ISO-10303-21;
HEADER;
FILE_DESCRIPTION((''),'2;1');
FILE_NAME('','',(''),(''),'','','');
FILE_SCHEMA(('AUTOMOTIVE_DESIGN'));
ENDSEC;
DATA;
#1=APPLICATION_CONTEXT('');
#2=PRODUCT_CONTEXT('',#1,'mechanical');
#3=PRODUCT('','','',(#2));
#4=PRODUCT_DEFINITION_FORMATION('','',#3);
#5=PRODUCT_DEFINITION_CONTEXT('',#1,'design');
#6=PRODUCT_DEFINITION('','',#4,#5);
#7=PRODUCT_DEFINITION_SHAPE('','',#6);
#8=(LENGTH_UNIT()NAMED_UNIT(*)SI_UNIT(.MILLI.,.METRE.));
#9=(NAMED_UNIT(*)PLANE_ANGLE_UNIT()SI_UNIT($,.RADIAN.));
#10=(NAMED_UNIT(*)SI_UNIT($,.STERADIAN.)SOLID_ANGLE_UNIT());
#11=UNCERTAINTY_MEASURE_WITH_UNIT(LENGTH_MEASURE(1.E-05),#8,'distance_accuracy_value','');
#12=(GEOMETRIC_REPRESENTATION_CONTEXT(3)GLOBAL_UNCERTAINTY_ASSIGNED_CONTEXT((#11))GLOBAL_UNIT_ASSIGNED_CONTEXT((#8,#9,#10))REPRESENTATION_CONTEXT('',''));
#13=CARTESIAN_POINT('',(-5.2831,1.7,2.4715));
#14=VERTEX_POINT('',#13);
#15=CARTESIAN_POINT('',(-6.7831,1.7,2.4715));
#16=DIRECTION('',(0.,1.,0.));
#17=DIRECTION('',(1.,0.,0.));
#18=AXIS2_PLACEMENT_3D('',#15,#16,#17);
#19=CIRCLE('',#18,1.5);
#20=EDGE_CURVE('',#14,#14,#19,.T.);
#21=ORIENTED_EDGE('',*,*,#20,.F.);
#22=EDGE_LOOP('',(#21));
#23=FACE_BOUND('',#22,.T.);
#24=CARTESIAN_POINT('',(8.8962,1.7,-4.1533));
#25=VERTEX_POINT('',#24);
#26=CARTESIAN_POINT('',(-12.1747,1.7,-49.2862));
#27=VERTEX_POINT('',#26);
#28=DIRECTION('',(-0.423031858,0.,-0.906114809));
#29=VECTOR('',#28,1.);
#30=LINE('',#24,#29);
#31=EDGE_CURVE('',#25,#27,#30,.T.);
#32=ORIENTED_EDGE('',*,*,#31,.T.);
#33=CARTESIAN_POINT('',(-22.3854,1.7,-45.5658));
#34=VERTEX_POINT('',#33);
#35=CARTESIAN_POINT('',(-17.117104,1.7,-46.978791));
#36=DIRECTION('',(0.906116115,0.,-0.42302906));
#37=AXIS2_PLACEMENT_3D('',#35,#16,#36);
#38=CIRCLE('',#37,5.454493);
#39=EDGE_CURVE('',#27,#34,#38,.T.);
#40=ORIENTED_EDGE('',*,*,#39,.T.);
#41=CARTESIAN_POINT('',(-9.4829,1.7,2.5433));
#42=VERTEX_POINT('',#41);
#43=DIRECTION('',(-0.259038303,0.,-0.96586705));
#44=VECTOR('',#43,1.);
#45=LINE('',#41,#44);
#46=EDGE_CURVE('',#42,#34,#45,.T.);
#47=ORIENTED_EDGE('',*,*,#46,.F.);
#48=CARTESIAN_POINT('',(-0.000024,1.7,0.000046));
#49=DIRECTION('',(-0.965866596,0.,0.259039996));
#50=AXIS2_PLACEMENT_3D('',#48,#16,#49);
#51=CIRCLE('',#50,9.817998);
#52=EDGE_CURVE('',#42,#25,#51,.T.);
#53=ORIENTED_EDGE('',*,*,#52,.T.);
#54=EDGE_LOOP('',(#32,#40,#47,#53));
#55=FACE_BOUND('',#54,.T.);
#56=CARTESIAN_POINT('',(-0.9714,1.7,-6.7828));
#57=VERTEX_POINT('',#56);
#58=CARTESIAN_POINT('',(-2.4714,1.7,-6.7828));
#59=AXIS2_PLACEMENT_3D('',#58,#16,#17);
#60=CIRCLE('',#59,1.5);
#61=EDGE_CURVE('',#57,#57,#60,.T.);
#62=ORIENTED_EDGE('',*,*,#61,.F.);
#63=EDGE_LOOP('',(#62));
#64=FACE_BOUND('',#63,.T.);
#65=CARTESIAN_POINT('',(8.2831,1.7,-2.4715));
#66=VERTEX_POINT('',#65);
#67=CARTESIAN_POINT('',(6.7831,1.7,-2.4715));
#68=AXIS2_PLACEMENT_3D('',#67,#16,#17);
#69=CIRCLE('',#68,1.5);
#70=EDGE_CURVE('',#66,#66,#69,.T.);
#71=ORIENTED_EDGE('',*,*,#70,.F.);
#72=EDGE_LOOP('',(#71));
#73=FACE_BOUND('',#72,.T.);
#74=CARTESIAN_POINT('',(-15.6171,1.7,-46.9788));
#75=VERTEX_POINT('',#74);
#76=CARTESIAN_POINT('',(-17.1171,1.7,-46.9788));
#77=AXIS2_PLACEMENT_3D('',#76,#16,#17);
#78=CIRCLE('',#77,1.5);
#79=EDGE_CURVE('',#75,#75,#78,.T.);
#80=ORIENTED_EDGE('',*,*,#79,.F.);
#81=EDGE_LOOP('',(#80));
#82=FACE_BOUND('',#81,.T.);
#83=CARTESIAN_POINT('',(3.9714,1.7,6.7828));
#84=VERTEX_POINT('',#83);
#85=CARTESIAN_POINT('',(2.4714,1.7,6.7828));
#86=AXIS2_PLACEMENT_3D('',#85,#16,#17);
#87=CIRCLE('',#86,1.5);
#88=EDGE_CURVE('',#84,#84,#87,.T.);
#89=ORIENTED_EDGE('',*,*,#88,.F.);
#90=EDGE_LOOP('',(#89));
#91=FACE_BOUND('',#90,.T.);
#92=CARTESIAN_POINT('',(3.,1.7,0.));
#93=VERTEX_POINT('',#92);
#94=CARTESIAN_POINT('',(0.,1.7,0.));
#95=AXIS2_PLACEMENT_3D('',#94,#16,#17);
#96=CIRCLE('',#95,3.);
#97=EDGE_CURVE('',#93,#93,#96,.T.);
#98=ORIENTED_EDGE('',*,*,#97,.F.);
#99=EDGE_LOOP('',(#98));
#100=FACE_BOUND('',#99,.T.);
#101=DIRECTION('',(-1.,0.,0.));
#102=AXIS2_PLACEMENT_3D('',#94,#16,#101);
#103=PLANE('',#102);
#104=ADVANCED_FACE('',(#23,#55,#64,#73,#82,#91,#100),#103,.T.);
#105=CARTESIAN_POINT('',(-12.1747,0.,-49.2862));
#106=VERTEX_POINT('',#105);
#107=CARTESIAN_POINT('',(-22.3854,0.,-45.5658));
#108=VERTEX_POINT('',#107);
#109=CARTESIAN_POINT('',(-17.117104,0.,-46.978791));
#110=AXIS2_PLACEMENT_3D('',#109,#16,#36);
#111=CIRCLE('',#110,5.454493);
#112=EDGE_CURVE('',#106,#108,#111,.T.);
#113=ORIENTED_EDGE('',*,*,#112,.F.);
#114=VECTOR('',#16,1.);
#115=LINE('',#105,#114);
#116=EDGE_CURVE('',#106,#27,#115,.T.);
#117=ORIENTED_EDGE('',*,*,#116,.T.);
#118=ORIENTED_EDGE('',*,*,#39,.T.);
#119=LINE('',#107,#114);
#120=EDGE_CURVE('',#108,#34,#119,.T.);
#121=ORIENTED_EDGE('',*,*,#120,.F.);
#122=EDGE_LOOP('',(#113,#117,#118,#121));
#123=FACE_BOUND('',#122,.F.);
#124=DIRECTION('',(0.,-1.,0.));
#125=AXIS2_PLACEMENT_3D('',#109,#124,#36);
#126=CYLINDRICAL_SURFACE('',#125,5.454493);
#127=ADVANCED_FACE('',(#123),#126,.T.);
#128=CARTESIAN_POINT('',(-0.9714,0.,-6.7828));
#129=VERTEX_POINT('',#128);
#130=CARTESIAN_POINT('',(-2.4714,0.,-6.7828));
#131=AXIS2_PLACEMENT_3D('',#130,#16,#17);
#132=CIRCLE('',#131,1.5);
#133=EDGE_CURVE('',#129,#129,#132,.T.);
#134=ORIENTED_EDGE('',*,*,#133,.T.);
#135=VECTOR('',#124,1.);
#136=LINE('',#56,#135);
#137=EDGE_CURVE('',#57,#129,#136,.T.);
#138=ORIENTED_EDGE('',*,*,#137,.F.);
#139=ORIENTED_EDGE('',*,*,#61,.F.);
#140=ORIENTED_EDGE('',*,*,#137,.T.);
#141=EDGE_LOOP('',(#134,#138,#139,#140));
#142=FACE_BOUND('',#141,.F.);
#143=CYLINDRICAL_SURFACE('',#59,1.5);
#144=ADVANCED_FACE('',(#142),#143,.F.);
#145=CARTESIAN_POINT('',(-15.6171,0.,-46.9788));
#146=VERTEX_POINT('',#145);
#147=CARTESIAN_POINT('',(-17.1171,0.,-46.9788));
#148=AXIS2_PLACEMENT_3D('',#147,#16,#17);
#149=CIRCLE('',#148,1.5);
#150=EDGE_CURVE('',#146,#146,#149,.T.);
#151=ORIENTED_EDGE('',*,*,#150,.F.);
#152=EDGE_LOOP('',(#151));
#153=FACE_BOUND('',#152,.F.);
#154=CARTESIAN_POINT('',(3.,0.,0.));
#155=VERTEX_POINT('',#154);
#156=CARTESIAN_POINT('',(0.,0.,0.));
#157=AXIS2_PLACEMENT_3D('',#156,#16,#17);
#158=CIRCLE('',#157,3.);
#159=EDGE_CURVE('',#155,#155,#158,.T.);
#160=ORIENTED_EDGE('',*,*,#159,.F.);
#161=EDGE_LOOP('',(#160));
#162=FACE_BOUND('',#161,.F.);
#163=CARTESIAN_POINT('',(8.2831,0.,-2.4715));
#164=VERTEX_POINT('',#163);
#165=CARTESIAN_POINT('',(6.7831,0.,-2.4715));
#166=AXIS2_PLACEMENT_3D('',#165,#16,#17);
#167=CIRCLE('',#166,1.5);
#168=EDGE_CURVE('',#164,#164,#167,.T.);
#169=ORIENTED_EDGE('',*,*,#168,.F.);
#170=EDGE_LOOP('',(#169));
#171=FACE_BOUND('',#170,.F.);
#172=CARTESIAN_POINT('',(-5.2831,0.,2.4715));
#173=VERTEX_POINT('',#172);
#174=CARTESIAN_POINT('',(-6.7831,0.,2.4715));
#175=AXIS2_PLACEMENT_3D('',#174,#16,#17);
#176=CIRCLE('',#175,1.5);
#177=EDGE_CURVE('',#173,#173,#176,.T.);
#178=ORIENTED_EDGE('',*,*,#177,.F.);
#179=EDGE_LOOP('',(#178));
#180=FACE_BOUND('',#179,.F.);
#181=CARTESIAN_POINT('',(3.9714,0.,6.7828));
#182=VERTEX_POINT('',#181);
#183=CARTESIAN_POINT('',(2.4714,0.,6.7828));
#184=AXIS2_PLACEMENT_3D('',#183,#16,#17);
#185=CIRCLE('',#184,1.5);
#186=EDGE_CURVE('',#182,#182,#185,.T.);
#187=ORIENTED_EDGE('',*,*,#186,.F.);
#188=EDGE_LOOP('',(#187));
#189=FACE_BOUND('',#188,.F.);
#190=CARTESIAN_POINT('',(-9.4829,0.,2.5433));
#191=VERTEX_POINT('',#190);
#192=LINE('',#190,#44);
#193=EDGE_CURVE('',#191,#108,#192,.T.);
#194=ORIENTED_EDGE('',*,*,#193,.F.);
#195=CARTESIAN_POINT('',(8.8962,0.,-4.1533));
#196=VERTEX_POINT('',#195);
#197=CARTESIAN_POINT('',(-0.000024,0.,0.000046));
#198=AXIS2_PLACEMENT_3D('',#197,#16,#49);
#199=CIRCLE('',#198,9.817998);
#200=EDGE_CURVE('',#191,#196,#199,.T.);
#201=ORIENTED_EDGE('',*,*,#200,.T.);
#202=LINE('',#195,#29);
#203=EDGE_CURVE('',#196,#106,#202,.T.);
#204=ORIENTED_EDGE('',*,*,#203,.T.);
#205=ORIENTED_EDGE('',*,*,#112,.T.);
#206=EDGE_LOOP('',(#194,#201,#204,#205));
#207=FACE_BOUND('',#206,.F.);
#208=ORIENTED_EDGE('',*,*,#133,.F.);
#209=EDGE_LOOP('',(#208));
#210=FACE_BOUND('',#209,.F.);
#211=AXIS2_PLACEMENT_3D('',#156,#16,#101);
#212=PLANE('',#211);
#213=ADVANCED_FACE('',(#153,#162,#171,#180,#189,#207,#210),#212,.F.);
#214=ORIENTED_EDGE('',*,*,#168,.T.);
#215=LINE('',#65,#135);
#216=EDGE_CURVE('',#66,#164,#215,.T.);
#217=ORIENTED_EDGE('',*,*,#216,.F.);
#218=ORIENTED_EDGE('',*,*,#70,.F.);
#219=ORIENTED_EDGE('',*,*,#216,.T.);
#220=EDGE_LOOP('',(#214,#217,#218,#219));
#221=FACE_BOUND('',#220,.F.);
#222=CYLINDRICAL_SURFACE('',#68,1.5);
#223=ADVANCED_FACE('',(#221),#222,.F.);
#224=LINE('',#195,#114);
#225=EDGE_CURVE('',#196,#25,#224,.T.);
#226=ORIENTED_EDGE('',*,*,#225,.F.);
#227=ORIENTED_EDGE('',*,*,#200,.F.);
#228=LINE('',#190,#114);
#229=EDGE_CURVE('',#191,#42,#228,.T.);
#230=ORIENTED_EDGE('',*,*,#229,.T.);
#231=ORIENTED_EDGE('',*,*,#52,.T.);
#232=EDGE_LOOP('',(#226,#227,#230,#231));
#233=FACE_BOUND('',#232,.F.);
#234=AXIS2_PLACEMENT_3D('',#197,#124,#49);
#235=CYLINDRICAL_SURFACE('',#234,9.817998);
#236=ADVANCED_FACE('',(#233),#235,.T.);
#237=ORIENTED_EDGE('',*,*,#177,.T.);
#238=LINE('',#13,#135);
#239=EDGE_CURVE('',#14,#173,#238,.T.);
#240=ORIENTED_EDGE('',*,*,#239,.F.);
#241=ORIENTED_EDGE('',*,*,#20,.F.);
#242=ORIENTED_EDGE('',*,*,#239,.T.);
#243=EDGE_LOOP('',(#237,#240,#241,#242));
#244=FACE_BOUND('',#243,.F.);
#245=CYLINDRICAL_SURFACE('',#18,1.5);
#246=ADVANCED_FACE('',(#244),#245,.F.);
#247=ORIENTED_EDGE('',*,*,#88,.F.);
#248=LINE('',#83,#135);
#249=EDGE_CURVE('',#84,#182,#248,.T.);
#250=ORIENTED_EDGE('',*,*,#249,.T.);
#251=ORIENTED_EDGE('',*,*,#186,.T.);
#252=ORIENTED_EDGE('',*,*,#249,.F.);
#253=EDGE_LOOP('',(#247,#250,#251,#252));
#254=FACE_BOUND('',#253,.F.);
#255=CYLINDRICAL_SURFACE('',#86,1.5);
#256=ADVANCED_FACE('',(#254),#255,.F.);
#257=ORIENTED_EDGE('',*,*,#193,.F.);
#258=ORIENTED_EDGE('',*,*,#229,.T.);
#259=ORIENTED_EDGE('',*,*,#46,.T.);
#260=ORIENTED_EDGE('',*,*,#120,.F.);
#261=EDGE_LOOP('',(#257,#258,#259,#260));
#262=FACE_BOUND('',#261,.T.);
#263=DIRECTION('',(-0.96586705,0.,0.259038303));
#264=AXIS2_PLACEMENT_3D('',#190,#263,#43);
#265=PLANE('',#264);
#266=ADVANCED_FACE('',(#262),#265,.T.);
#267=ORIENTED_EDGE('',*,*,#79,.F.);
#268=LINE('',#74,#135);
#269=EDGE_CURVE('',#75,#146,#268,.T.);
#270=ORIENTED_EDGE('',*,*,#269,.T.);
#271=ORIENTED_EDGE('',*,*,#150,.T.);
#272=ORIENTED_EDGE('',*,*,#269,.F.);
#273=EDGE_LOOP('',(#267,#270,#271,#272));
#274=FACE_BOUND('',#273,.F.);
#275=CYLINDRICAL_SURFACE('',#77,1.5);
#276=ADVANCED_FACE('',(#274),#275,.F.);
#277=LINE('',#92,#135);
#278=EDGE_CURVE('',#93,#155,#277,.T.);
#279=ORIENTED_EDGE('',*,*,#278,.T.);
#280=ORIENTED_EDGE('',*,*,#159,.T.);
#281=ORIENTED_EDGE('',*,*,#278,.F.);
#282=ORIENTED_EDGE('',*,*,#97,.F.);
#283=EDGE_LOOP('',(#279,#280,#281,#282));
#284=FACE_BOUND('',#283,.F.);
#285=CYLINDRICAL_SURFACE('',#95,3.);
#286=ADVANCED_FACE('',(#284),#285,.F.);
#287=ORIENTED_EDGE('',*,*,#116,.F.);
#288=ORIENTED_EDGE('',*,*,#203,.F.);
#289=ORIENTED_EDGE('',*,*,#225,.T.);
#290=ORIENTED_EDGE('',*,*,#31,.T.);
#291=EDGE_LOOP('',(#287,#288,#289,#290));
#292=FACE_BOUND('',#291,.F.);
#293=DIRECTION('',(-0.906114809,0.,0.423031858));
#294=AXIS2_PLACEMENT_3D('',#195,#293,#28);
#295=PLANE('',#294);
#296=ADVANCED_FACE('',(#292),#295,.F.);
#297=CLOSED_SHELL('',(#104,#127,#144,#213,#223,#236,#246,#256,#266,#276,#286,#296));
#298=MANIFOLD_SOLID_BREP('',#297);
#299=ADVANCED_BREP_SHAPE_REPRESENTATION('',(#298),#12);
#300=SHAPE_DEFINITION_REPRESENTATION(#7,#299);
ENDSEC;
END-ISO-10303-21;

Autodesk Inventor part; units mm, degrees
ref_plane "YZ Plane" through (0, 0, 0) normal (1, 0, 0) x (0, 1, 0)
ref_plane "XZ Plane" through (0, 0, 0) normal (0, 1, 0) x (-1, 0, 0)
ref_plane "XY Plane" through (0, 0, 0) normal (0, 0, 1) x (1, 0, 0)
sketch "Sketch1" plane through (0, 0, 0) normal (0, 1, 0) x (-1, 0, 0)
  arc A0 (9.4829, 2.5433) -> (-8.8962, -4.1533) centre (0, 0) ccw
  line L0 (9.4829, 2.5433) -> (22.3854, -45.5658)
  line L1 (-8.8962, -4.1533) -> (12.1747, -49.2862)
  arc A1 (12.1747, -49.2862) -> (22.3854, -45.5658) centre (17.1171, -46.9788) ccw
  dimension "d0" = 19.636
  dimension "d3" = 5.4545
  dimension "d18" = 50
extrude "Extrusion1" add sketch "Sketch1" along normal blind 1.7
sketch "Sketch2" plane through (0, 1.7, 0) normal (0, 1, 0) x (1, 0, 0)
  arc A0 (-12.1747, 49.2862) -> (-22.3854, 45.5658) centre (-17.1171, 46.9788) ccw projected
  arc A1 (-9.4829, -2.5433) -> (8.8962, 4.1533) centre (0, 0) ccw projected
  circle A2 centre (0, 0) radius 1.5
  circle A3 centre (-17.1171, 46.9788) radius 1.5
  circle A4 centre (6.7831, 2.4715) radius 1.5
  circle A5 centre (-6.7831, -2.4715) radius 1.5
  circle A6 centre (-2.4714, 6.7828) radius 1.5
  circle A7 centre (2.4714, -6.7828) radius 1.5
  line L0 (-17.1171, 46.9788) -> (0, 0) construction
  line L1 (-17.1171, 46.9788) -> (-2.4714, 6.7828) construction
  line L2 (0, 0) -> (2.4714, -6.7828) construction
  line L3 (-6.7831, -2.4715) -> (0, 0) construction
  line L4 (0, 0) -> (6.7831, 2.4715) construction
  dimension "d4" = 3
  dimension "d5" = 3
  dimension "d6" = 3
  dimension "d7" = 3
  dimension "d12" = 3
  dimension "d13" = 3
  dimension "d19" = 7.219
  dimension "d20" = 7.2193
  dimension "d21" = 7.2193
  dimension "d22" = 7.219
extrude "Extrusion2" cut sketch "Sketch2" against normal blind 1.7
sketch "Sketch3" plane through (0, 1.7, 0) normal (0, 1, 0) x (1, 0, 0)
  circle A0 centre (0, 0) radius 1.5 projected
  circle A1 centre (0, 0) radius 3
  dimension "d25" = 6
extrude "Extrusion3" cut sketch "Sketch3" against normal through all contours A0 | A1
equation "\"BendRadius\" = Thickness"
equation "\"BendReliefWidth\" = Thickness"
equation "\"BendReliefDepth\" = 0.5 * Thickness"
equation "\"CornerReliefSize\" = 4 * Thickness"
equation "\"MinimumRemnant\" = 2 * Thickness"
equation "\"TransitionRadius\" = BendRadius"
equation "\"JacobiRadiusSize\" = BendRadius"
equation "\"GapSize\" = Thickness"
equation "\"Thickness\" = 3.048"
properties part number "A1P1"
